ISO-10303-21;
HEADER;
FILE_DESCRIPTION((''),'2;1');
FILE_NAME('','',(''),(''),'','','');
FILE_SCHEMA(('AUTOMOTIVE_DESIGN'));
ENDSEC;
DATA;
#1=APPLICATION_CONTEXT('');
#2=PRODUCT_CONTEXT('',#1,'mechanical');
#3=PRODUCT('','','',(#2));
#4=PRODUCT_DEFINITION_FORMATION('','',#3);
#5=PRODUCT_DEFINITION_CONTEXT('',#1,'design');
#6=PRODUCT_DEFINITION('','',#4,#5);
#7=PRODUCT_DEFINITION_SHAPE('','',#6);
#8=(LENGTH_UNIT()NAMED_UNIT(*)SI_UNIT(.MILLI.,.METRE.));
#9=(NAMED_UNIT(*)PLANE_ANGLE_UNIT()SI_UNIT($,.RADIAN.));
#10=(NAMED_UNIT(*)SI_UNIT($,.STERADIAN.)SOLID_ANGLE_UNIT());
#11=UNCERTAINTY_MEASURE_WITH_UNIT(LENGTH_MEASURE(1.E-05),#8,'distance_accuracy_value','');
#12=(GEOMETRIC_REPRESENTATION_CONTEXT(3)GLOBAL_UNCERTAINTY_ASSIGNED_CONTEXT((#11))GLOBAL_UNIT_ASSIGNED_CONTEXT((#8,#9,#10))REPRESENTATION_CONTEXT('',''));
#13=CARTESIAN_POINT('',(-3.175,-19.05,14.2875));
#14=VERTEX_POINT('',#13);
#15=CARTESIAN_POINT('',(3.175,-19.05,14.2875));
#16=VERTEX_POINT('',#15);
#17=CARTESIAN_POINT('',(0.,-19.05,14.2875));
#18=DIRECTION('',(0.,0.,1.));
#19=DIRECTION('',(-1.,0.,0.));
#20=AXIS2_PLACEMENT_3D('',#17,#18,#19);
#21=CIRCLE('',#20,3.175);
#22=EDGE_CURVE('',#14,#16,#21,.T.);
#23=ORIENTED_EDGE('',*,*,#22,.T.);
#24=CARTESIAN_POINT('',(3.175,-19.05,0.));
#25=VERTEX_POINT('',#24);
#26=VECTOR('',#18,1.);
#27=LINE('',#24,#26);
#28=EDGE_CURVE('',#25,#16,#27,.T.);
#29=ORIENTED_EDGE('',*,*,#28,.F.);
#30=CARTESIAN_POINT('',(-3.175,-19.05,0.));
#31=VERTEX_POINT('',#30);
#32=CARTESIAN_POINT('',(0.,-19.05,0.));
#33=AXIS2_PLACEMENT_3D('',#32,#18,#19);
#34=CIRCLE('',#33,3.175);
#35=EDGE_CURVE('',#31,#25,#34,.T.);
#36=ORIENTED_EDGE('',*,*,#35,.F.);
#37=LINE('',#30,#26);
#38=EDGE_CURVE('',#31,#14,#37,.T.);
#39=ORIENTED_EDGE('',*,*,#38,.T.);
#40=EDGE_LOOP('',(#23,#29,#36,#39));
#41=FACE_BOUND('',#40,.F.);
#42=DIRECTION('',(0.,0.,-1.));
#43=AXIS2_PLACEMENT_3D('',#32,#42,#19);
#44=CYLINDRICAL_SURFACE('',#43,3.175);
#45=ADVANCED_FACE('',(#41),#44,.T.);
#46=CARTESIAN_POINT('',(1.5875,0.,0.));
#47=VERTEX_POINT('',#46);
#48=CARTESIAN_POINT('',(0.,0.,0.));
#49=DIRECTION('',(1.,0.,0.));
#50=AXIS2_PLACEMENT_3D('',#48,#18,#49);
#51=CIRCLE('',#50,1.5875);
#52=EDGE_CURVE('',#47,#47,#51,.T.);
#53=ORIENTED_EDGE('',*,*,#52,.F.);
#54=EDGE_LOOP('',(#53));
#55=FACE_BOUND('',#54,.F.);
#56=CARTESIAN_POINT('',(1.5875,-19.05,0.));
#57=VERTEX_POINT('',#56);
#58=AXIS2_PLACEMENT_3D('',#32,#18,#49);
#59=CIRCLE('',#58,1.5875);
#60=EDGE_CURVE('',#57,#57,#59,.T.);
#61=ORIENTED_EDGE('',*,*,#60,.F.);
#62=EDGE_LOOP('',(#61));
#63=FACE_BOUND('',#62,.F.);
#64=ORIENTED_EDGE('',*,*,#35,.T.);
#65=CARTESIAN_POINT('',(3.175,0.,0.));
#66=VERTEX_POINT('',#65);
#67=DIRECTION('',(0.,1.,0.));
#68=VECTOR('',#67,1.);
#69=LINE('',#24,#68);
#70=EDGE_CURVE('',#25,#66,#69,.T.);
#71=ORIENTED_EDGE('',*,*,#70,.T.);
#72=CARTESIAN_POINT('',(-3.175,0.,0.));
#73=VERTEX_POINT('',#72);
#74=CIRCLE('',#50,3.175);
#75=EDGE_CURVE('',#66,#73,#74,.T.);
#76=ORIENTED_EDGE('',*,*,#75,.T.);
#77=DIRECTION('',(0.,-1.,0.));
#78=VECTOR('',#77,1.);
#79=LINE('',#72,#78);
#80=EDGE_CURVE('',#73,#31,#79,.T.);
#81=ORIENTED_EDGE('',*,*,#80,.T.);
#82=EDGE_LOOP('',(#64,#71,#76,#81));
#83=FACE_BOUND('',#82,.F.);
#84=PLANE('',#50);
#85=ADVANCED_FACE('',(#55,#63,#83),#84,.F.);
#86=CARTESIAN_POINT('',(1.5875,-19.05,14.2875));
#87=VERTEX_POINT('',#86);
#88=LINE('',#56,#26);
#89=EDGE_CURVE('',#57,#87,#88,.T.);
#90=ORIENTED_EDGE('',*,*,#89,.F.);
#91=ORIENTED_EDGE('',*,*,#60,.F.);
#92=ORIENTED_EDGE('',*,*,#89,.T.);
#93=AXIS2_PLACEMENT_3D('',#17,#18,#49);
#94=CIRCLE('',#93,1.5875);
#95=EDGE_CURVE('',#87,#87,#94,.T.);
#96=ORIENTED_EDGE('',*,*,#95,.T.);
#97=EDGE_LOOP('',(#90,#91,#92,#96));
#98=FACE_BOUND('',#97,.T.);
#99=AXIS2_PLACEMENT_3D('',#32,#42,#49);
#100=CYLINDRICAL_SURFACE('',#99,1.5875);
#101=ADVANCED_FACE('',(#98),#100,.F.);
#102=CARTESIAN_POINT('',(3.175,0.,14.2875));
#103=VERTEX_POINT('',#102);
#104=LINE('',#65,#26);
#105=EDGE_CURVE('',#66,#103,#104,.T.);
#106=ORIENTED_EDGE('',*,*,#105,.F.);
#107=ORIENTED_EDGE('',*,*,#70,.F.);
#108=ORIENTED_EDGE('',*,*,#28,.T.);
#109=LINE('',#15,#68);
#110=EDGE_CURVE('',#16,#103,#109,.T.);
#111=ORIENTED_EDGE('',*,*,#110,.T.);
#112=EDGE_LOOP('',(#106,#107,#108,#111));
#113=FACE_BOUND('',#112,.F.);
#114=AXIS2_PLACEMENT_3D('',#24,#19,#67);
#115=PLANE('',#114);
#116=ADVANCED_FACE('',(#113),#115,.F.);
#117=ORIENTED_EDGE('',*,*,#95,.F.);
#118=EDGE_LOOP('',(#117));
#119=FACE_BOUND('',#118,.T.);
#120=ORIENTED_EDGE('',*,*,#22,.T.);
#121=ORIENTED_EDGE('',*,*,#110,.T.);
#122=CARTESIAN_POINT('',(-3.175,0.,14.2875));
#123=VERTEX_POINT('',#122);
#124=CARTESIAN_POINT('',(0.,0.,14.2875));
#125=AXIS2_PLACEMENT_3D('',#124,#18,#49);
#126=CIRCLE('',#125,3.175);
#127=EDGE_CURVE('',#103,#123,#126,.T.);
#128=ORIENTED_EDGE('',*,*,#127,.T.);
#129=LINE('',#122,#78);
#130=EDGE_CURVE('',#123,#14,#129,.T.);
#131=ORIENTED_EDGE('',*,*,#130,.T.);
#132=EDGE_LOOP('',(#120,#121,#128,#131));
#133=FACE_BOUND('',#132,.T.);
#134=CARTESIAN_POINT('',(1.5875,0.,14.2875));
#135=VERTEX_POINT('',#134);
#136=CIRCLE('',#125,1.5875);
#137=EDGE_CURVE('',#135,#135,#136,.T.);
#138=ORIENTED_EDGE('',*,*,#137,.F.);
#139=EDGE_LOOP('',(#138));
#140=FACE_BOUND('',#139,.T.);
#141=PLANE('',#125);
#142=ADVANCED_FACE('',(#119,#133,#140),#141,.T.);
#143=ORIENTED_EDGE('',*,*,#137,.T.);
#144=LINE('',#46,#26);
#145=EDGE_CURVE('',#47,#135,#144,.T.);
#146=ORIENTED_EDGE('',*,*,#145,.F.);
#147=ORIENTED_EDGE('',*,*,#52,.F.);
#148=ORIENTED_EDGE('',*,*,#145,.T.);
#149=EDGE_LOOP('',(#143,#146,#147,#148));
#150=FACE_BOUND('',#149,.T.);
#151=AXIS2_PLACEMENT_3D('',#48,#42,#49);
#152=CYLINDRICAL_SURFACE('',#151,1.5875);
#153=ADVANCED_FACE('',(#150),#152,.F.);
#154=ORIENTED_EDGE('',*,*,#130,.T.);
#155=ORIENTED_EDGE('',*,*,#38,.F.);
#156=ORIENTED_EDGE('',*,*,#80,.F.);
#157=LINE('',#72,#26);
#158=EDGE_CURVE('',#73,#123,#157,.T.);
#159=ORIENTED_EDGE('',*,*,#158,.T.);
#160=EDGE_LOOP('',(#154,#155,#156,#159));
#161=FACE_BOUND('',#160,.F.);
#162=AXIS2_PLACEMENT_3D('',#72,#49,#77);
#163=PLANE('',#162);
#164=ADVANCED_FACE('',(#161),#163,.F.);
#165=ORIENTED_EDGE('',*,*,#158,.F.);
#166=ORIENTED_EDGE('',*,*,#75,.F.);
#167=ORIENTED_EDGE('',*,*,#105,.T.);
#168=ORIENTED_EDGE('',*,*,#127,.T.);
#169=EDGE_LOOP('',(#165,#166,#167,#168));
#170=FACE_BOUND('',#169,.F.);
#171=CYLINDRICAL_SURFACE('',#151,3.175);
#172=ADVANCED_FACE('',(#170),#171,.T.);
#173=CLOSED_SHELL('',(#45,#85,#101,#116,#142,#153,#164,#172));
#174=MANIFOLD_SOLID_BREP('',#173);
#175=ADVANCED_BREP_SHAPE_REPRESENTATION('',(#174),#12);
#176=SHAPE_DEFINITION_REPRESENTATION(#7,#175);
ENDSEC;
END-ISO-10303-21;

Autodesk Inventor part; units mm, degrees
ref_plane "YZ Plane" through (0, 0, 0) normal (1, 0, 0) x (0, 1, 0)
ref_plane "XZ Plane" through (0, 0, 0) normal (0, 1, 0) x (-1, 0, 0)
ref_plane "XY Plane" through (0, 0, 0) normal (0, 0, 1) x (1, 0, 0)
sketch "Sketch1" plane through (0, 0, 0) normal (0, 0, 1) x (1, 0, 0)
  line L0 (0, 0) -> (0, -19.05) construction
  line L1 (-3.175, 0) -> (-3.175, -19.05)
  line L2 (3.175, -19.05) -> (3.175, 0)
  arc A0 (3.175, 0) -> (-3.175, 0) centre (0, 0) ccw
  arc A1 (-3.175, -19.05) -> (3.175, -19.05) centre (0, -19.05) ccw
  circle A2 centre (0, 0) radius 1.5875
  circle A3 centre (0, -19.05) radius 1.5875
  point P0 (0, -9.525)
  dimension "d0" = 19.05
  dimension "d1" = 6.35
  dimension "d2" = 3.175
  dimension "d3" = 3.175
extrude "Extrusion1" add sketch "Sketch1" along normal blind 14.2875
properties part number "Bracket - 1" material "UHMW, White"
